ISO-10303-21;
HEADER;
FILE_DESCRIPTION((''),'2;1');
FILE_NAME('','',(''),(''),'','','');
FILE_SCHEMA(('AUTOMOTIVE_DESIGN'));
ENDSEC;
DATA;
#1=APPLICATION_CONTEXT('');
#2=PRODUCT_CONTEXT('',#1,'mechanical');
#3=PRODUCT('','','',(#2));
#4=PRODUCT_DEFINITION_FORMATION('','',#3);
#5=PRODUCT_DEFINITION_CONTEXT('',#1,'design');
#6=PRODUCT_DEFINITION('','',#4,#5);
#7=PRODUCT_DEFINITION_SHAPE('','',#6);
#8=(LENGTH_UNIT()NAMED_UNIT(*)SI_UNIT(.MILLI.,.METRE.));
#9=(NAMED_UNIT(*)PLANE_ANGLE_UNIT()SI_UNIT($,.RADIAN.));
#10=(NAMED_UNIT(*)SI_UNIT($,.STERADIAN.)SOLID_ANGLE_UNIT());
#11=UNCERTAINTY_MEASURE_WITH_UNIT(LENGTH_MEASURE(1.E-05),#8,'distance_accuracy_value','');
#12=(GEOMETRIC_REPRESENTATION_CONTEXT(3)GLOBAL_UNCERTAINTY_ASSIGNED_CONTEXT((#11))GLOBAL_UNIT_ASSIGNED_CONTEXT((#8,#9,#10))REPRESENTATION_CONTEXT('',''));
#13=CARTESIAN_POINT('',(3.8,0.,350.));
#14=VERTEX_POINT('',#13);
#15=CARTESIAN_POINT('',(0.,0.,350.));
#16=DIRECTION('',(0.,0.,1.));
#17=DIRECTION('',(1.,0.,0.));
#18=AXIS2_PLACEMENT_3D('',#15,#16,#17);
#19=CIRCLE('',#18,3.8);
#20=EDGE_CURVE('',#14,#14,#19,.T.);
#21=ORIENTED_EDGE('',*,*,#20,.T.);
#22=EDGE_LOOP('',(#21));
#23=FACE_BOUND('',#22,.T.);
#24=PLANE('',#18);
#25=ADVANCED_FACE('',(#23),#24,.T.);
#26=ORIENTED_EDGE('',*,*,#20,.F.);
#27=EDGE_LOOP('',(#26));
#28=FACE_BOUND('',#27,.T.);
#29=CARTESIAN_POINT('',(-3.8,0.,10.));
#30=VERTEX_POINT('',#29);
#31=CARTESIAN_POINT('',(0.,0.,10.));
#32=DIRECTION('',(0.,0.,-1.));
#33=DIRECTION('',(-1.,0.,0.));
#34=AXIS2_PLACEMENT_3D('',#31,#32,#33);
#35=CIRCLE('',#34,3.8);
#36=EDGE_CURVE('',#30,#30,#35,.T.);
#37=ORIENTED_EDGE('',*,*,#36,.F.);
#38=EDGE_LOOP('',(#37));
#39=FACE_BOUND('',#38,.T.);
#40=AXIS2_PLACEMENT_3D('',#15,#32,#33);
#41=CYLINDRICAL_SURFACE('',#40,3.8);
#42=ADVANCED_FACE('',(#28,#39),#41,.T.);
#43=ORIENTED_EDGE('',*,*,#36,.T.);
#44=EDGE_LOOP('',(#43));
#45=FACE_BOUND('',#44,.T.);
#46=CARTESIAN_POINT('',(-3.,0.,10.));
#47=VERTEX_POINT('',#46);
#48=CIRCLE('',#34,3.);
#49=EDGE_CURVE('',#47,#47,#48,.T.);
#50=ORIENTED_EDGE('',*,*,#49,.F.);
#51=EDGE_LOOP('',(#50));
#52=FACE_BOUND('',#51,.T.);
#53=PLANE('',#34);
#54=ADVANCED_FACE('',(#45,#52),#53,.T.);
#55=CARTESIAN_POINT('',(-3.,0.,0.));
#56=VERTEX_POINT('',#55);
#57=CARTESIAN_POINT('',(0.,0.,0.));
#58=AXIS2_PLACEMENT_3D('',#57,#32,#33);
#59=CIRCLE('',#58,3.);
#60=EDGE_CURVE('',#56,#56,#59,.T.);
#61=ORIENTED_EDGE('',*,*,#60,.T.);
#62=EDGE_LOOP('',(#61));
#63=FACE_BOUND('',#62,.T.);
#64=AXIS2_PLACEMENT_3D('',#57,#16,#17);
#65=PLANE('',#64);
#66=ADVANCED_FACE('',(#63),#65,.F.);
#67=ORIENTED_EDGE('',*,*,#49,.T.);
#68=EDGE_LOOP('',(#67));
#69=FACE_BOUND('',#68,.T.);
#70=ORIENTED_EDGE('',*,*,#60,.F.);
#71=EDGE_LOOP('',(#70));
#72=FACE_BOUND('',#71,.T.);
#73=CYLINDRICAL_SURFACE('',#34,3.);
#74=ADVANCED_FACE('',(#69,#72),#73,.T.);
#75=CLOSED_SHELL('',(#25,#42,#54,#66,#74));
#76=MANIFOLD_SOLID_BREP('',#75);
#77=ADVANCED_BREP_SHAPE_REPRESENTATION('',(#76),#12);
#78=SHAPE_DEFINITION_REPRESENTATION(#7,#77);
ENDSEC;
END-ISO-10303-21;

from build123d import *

# Parameters (mm, degrees)
SKETCH1_R           = 3.8
BOSS_EXTRUDE1_DEPTH = 350
SKETCH2_OUTSIDE_W   = 79.632
SKETCH2_OUTSIDE_H   = 79.632
SKETCH2_OUTSIDE_R   = 3
CUT_EXTRUDE1_DEPTH  = 10


with BuildPart() as part:
    # Sketch1 → Boss-Extrude1 (new body)
    with BuildSketch(Plane.XY):
        Circle(SKETCH1_R)
    extrude(amount=BOSS_EXTRUDE1_DEPTH)

    # Sketch2 outside → Cut-Extrude1 (cut)
    with BuildSketch(Plane(origin=(0, 0, 0), x_dir=(-1, 0, 0), z_dir=(0, 0, -1))):
        Rectangle(SKETCH2_OUTSIDE_W, SKETCH2_OUTSIDE_H)
        Circle(SKETCH2_OUTSIDE_R, mode=Mode.SUBTRACT)
    extrude(amount=-CUT_EXTRUDE1_DEPTH, mode=Mode.SUBTRACT)


solid = part.part
